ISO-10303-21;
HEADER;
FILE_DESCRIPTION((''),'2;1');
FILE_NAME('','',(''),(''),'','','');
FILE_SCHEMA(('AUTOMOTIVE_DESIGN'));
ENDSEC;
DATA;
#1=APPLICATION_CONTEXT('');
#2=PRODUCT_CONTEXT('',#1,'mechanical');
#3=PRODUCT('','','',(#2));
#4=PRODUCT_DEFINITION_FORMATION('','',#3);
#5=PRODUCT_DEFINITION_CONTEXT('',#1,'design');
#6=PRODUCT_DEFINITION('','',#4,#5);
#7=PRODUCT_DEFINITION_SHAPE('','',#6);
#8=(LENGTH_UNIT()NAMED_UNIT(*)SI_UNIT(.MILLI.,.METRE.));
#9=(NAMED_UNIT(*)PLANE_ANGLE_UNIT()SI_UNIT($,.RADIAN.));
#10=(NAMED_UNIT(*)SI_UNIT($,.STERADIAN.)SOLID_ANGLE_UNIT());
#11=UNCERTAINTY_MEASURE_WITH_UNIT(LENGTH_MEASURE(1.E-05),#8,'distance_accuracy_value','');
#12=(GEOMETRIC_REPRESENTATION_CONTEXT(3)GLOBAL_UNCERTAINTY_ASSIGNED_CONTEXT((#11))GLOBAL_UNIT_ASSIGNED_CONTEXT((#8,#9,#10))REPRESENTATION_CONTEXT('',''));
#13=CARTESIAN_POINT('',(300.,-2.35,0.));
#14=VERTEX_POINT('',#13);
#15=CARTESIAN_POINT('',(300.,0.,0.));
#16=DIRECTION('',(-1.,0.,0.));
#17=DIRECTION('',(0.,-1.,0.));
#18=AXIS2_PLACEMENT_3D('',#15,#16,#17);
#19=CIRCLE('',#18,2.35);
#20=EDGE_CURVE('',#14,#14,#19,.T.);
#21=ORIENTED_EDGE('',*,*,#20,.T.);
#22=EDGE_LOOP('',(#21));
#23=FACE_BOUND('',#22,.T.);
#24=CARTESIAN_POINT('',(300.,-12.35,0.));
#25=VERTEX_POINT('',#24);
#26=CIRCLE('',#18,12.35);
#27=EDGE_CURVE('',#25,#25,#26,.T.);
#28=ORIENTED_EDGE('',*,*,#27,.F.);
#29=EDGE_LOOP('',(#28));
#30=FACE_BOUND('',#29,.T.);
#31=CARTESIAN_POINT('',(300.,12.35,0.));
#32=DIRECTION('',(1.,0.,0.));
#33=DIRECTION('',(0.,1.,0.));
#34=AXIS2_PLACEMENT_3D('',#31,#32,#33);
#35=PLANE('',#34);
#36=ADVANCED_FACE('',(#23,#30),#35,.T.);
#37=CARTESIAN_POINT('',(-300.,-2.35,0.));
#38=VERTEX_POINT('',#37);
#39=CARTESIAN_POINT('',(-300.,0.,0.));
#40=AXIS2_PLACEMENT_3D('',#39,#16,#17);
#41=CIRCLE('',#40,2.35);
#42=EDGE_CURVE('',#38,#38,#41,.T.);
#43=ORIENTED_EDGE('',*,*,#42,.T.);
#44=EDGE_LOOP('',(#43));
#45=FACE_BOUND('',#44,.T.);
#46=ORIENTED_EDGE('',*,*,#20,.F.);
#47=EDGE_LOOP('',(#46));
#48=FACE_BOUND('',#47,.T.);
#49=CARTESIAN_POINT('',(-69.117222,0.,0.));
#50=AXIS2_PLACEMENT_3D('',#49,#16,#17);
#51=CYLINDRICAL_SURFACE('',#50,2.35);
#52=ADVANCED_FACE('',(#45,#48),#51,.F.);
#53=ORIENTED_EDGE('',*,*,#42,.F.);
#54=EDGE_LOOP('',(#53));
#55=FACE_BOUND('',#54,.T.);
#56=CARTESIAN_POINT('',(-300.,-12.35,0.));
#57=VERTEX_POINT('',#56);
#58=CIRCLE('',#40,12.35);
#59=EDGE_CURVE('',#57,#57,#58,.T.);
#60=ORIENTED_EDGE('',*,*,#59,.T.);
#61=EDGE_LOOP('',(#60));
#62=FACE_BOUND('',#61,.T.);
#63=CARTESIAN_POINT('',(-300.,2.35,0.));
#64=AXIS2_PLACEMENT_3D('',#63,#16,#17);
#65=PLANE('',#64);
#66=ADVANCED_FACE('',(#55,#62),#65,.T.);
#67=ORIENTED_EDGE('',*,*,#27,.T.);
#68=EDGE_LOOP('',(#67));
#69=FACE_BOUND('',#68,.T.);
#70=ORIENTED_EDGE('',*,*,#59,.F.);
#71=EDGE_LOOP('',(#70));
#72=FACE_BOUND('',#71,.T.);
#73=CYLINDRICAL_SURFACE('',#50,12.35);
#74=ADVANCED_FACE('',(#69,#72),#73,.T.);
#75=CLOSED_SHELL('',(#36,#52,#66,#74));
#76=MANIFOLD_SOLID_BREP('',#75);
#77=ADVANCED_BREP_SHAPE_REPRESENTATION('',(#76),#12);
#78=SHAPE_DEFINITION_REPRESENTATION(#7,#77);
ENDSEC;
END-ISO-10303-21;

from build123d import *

# Parameters (mm, degrees)
SKETCH2_W = 600
SKETCH2_H = 10


with BuildPart() as part:
    # Sketch2 → Revolve-Thin1 (revolve)
    with BuildSketch(Plane.XY, mode=Mode.PRIVATE) as revolve_thin1_sk:
        with Locations((0, 7.35)):
            Rectangle(SKETCH2_W, SKETCH2_H)
    revolve(revolve_thin1_sk.sketch.rotate(Axis((-69.117222471, 0, 0), (1, 0, 0)), 180), axis=Axis((-69.117222471, 0, 0), (1, 0, 0)))


solid = part.part
